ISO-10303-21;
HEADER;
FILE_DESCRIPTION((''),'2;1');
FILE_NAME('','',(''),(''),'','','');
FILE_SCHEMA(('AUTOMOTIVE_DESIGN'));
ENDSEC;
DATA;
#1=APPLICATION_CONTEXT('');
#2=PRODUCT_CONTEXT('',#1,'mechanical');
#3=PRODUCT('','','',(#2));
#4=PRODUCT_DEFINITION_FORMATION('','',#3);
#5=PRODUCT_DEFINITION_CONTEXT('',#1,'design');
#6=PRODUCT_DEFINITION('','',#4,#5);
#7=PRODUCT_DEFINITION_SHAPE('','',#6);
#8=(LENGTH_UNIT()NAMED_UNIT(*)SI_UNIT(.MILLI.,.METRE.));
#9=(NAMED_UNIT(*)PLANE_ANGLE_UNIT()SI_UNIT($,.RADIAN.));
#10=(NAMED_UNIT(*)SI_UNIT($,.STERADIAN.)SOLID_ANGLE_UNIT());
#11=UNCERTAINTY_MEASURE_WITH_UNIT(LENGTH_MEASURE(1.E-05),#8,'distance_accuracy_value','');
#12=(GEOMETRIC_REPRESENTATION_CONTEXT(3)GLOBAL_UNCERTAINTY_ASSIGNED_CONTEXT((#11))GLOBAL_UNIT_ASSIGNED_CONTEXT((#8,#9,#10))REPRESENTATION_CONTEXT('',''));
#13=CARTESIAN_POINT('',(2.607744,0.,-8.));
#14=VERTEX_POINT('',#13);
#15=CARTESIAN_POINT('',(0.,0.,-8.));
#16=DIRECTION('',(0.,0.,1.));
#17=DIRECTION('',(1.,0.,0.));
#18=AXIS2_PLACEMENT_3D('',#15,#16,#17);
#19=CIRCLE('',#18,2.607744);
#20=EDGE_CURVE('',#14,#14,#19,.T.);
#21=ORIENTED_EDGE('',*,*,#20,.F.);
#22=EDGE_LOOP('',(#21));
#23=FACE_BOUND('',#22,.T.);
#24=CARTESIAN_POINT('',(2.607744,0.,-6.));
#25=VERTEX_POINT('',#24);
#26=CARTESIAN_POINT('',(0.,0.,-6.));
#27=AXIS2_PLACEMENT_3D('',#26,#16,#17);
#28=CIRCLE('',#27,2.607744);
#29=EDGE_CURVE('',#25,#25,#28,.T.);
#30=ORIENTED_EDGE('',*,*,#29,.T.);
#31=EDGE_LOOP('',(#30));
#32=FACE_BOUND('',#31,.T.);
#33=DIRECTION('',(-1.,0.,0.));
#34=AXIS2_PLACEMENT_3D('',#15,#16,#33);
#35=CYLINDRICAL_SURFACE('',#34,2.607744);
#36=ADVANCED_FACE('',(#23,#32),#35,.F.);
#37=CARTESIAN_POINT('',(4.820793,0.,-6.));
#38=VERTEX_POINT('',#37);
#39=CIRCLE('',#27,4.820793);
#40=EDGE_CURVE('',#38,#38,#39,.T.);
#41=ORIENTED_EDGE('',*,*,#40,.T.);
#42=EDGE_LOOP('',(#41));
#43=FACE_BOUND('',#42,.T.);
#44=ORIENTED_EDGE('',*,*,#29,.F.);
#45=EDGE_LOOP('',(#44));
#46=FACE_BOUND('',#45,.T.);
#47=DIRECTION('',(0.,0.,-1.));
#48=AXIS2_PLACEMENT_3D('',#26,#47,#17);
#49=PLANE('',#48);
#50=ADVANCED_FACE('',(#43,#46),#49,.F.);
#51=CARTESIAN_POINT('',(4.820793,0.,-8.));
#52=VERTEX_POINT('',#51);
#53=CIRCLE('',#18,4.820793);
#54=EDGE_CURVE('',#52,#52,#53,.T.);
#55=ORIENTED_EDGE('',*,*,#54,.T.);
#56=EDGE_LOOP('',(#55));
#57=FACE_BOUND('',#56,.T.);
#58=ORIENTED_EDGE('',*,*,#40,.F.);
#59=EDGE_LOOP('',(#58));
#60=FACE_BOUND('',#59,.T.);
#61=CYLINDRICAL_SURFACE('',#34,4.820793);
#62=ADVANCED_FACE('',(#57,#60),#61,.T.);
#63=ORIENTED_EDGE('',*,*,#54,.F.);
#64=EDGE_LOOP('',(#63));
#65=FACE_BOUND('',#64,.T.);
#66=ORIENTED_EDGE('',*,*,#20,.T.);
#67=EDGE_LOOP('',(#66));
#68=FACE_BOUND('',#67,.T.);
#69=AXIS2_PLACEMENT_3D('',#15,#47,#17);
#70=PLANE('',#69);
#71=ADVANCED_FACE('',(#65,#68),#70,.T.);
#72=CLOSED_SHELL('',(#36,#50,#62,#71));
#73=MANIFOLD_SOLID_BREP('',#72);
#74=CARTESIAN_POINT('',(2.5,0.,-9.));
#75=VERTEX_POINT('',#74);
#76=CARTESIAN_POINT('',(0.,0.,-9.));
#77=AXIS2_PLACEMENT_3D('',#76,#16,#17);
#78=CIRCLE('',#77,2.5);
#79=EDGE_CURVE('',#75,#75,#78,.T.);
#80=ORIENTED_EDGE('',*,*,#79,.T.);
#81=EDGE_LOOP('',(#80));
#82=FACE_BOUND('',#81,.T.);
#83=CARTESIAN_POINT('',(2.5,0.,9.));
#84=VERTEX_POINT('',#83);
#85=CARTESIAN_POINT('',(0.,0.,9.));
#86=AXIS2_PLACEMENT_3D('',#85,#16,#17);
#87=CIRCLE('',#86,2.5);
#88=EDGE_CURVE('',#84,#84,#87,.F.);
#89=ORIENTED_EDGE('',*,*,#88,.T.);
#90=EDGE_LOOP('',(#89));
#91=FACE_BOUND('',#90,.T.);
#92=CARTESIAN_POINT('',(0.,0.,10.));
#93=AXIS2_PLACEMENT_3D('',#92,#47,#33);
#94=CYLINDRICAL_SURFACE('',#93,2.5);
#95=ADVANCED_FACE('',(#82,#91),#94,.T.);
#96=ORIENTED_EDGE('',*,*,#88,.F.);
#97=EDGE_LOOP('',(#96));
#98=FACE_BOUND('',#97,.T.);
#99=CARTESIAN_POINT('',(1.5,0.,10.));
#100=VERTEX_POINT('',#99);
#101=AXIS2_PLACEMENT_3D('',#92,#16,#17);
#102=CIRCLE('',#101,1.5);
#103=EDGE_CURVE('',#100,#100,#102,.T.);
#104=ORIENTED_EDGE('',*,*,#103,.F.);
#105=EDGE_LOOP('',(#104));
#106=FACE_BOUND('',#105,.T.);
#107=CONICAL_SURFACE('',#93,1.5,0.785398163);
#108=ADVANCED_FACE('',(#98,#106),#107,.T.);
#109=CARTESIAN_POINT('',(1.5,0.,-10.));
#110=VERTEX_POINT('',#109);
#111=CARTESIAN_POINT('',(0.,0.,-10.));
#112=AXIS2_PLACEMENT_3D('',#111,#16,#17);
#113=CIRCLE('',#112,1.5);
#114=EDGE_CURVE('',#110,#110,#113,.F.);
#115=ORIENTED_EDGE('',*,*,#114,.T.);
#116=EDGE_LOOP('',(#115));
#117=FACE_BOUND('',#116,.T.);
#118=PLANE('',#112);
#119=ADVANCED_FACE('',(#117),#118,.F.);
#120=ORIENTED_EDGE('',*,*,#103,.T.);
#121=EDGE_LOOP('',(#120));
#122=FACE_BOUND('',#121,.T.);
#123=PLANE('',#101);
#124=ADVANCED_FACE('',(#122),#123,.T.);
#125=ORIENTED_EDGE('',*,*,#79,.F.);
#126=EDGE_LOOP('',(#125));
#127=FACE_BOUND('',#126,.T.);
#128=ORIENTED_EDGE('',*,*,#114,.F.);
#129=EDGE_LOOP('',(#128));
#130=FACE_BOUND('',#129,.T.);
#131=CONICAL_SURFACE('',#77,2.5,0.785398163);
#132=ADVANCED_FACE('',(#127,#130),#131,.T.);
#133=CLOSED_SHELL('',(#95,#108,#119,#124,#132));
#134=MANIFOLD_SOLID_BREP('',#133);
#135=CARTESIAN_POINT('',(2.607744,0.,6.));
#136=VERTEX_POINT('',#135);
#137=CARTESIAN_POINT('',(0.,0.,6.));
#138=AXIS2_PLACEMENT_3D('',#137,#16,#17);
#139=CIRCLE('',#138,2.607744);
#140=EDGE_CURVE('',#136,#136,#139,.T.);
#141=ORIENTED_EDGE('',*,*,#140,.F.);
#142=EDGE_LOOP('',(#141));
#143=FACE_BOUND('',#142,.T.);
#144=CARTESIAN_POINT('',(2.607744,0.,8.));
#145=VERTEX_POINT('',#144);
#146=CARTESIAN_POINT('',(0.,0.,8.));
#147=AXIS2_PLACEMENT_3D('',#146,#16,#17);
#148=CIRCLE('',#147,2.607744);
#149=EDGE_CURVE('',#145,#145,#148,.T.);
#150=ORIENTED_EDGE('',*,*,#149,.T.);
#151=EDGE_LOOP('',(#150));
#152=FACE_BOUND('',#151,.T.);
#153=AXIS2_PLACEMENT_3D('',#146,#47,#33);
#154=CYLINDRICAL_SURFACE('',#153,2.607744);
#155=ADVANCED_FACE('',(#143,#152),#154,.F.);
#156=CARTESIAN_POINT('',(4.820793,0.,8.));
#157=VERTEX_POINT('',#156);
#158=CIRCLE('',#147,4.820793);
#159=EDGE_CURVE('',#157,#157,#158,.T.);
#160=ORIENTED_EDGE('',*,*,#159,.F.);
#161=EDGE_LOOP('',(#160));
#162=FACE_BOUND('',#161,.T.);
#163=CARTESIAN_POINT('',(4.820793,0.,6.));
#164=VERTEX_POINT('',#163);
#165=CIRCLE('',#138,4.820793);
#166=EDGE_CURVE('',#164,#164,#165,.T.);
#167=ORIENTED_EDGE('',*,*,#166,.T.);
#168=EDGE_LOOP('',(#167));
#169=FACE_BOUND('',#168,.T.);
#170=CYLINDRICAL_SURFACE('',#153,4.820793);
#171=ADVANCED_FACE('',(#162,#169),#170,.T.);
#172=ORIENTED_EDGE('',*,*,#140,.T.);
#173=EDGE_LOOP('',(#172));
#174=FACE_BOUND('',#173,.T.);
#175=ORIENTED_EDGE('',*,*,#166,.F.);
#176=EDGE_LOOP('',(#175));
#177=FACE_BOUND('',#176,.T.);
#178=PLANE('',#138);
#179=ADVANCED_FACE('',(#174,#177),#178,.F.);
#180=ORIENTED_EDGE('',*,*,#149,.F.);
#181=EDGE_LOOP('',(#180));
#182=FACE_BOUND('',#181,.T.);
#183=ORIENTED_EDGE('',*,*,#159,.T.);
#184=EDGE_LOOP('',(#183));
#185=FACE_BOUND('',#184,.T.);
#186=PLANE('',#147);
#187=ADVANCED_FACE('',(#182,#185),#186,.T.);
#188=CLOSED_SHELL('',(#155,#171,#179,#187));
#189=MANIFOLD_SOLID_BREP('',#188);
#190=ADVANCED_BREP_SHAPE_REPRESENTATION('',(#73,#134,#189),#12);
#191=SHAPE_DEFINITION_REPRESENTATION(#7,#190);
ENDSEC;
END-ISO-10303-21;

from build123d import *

# Parameters (mm, degrees)
SKETCH1_R           = 2.5
BOSS_EXTRUDE1_DEPTH = 10
CHAMFER1_SIZE       = 1
SKETCH2_R           = 4.820793463
SKETCH2_R_2         = 2.607744367
BOSS_EXTRUDE2_DEPTH = 2


with BuildPart() as part:
    # Sketch1 → Boss-Extrude1 (new, symmetric)
    with BuildSketch(Plane.XY):
        Circle(SKETCH1_R)
    extrude(amount=BOSS_EXTRUDE1_DEPTH, both=True)

    # Chamfer1
    chamfer1_edges = [part.edges().sort_by_distance(p)[0] for p in [
        (-2.5, 0, -10),
        (-2.5, 0, 10),
    ]]
    chamfer(chamfer1_edges, length=CHAMFER1_SIZE)


with BuildPart() as body_2:
    # Sketch2 → Boss-Extrude2 (new body)
    with BuildSketch(Plane.XY.offset(6)):
        Circle(SKETCH2_R)
        Circle(SKETCH2_R_2, mode=Mode.SUBTRACT)
    extrude(amount=BOSS_EXTRUDE2_DEPTH)


with BuildPart() as body_3:
    # Mirror2: mirrored copy
    add(body_2.part.mirror(Plane.XY))


solid = Compound([part.part, body_2.part, body_3.part])
